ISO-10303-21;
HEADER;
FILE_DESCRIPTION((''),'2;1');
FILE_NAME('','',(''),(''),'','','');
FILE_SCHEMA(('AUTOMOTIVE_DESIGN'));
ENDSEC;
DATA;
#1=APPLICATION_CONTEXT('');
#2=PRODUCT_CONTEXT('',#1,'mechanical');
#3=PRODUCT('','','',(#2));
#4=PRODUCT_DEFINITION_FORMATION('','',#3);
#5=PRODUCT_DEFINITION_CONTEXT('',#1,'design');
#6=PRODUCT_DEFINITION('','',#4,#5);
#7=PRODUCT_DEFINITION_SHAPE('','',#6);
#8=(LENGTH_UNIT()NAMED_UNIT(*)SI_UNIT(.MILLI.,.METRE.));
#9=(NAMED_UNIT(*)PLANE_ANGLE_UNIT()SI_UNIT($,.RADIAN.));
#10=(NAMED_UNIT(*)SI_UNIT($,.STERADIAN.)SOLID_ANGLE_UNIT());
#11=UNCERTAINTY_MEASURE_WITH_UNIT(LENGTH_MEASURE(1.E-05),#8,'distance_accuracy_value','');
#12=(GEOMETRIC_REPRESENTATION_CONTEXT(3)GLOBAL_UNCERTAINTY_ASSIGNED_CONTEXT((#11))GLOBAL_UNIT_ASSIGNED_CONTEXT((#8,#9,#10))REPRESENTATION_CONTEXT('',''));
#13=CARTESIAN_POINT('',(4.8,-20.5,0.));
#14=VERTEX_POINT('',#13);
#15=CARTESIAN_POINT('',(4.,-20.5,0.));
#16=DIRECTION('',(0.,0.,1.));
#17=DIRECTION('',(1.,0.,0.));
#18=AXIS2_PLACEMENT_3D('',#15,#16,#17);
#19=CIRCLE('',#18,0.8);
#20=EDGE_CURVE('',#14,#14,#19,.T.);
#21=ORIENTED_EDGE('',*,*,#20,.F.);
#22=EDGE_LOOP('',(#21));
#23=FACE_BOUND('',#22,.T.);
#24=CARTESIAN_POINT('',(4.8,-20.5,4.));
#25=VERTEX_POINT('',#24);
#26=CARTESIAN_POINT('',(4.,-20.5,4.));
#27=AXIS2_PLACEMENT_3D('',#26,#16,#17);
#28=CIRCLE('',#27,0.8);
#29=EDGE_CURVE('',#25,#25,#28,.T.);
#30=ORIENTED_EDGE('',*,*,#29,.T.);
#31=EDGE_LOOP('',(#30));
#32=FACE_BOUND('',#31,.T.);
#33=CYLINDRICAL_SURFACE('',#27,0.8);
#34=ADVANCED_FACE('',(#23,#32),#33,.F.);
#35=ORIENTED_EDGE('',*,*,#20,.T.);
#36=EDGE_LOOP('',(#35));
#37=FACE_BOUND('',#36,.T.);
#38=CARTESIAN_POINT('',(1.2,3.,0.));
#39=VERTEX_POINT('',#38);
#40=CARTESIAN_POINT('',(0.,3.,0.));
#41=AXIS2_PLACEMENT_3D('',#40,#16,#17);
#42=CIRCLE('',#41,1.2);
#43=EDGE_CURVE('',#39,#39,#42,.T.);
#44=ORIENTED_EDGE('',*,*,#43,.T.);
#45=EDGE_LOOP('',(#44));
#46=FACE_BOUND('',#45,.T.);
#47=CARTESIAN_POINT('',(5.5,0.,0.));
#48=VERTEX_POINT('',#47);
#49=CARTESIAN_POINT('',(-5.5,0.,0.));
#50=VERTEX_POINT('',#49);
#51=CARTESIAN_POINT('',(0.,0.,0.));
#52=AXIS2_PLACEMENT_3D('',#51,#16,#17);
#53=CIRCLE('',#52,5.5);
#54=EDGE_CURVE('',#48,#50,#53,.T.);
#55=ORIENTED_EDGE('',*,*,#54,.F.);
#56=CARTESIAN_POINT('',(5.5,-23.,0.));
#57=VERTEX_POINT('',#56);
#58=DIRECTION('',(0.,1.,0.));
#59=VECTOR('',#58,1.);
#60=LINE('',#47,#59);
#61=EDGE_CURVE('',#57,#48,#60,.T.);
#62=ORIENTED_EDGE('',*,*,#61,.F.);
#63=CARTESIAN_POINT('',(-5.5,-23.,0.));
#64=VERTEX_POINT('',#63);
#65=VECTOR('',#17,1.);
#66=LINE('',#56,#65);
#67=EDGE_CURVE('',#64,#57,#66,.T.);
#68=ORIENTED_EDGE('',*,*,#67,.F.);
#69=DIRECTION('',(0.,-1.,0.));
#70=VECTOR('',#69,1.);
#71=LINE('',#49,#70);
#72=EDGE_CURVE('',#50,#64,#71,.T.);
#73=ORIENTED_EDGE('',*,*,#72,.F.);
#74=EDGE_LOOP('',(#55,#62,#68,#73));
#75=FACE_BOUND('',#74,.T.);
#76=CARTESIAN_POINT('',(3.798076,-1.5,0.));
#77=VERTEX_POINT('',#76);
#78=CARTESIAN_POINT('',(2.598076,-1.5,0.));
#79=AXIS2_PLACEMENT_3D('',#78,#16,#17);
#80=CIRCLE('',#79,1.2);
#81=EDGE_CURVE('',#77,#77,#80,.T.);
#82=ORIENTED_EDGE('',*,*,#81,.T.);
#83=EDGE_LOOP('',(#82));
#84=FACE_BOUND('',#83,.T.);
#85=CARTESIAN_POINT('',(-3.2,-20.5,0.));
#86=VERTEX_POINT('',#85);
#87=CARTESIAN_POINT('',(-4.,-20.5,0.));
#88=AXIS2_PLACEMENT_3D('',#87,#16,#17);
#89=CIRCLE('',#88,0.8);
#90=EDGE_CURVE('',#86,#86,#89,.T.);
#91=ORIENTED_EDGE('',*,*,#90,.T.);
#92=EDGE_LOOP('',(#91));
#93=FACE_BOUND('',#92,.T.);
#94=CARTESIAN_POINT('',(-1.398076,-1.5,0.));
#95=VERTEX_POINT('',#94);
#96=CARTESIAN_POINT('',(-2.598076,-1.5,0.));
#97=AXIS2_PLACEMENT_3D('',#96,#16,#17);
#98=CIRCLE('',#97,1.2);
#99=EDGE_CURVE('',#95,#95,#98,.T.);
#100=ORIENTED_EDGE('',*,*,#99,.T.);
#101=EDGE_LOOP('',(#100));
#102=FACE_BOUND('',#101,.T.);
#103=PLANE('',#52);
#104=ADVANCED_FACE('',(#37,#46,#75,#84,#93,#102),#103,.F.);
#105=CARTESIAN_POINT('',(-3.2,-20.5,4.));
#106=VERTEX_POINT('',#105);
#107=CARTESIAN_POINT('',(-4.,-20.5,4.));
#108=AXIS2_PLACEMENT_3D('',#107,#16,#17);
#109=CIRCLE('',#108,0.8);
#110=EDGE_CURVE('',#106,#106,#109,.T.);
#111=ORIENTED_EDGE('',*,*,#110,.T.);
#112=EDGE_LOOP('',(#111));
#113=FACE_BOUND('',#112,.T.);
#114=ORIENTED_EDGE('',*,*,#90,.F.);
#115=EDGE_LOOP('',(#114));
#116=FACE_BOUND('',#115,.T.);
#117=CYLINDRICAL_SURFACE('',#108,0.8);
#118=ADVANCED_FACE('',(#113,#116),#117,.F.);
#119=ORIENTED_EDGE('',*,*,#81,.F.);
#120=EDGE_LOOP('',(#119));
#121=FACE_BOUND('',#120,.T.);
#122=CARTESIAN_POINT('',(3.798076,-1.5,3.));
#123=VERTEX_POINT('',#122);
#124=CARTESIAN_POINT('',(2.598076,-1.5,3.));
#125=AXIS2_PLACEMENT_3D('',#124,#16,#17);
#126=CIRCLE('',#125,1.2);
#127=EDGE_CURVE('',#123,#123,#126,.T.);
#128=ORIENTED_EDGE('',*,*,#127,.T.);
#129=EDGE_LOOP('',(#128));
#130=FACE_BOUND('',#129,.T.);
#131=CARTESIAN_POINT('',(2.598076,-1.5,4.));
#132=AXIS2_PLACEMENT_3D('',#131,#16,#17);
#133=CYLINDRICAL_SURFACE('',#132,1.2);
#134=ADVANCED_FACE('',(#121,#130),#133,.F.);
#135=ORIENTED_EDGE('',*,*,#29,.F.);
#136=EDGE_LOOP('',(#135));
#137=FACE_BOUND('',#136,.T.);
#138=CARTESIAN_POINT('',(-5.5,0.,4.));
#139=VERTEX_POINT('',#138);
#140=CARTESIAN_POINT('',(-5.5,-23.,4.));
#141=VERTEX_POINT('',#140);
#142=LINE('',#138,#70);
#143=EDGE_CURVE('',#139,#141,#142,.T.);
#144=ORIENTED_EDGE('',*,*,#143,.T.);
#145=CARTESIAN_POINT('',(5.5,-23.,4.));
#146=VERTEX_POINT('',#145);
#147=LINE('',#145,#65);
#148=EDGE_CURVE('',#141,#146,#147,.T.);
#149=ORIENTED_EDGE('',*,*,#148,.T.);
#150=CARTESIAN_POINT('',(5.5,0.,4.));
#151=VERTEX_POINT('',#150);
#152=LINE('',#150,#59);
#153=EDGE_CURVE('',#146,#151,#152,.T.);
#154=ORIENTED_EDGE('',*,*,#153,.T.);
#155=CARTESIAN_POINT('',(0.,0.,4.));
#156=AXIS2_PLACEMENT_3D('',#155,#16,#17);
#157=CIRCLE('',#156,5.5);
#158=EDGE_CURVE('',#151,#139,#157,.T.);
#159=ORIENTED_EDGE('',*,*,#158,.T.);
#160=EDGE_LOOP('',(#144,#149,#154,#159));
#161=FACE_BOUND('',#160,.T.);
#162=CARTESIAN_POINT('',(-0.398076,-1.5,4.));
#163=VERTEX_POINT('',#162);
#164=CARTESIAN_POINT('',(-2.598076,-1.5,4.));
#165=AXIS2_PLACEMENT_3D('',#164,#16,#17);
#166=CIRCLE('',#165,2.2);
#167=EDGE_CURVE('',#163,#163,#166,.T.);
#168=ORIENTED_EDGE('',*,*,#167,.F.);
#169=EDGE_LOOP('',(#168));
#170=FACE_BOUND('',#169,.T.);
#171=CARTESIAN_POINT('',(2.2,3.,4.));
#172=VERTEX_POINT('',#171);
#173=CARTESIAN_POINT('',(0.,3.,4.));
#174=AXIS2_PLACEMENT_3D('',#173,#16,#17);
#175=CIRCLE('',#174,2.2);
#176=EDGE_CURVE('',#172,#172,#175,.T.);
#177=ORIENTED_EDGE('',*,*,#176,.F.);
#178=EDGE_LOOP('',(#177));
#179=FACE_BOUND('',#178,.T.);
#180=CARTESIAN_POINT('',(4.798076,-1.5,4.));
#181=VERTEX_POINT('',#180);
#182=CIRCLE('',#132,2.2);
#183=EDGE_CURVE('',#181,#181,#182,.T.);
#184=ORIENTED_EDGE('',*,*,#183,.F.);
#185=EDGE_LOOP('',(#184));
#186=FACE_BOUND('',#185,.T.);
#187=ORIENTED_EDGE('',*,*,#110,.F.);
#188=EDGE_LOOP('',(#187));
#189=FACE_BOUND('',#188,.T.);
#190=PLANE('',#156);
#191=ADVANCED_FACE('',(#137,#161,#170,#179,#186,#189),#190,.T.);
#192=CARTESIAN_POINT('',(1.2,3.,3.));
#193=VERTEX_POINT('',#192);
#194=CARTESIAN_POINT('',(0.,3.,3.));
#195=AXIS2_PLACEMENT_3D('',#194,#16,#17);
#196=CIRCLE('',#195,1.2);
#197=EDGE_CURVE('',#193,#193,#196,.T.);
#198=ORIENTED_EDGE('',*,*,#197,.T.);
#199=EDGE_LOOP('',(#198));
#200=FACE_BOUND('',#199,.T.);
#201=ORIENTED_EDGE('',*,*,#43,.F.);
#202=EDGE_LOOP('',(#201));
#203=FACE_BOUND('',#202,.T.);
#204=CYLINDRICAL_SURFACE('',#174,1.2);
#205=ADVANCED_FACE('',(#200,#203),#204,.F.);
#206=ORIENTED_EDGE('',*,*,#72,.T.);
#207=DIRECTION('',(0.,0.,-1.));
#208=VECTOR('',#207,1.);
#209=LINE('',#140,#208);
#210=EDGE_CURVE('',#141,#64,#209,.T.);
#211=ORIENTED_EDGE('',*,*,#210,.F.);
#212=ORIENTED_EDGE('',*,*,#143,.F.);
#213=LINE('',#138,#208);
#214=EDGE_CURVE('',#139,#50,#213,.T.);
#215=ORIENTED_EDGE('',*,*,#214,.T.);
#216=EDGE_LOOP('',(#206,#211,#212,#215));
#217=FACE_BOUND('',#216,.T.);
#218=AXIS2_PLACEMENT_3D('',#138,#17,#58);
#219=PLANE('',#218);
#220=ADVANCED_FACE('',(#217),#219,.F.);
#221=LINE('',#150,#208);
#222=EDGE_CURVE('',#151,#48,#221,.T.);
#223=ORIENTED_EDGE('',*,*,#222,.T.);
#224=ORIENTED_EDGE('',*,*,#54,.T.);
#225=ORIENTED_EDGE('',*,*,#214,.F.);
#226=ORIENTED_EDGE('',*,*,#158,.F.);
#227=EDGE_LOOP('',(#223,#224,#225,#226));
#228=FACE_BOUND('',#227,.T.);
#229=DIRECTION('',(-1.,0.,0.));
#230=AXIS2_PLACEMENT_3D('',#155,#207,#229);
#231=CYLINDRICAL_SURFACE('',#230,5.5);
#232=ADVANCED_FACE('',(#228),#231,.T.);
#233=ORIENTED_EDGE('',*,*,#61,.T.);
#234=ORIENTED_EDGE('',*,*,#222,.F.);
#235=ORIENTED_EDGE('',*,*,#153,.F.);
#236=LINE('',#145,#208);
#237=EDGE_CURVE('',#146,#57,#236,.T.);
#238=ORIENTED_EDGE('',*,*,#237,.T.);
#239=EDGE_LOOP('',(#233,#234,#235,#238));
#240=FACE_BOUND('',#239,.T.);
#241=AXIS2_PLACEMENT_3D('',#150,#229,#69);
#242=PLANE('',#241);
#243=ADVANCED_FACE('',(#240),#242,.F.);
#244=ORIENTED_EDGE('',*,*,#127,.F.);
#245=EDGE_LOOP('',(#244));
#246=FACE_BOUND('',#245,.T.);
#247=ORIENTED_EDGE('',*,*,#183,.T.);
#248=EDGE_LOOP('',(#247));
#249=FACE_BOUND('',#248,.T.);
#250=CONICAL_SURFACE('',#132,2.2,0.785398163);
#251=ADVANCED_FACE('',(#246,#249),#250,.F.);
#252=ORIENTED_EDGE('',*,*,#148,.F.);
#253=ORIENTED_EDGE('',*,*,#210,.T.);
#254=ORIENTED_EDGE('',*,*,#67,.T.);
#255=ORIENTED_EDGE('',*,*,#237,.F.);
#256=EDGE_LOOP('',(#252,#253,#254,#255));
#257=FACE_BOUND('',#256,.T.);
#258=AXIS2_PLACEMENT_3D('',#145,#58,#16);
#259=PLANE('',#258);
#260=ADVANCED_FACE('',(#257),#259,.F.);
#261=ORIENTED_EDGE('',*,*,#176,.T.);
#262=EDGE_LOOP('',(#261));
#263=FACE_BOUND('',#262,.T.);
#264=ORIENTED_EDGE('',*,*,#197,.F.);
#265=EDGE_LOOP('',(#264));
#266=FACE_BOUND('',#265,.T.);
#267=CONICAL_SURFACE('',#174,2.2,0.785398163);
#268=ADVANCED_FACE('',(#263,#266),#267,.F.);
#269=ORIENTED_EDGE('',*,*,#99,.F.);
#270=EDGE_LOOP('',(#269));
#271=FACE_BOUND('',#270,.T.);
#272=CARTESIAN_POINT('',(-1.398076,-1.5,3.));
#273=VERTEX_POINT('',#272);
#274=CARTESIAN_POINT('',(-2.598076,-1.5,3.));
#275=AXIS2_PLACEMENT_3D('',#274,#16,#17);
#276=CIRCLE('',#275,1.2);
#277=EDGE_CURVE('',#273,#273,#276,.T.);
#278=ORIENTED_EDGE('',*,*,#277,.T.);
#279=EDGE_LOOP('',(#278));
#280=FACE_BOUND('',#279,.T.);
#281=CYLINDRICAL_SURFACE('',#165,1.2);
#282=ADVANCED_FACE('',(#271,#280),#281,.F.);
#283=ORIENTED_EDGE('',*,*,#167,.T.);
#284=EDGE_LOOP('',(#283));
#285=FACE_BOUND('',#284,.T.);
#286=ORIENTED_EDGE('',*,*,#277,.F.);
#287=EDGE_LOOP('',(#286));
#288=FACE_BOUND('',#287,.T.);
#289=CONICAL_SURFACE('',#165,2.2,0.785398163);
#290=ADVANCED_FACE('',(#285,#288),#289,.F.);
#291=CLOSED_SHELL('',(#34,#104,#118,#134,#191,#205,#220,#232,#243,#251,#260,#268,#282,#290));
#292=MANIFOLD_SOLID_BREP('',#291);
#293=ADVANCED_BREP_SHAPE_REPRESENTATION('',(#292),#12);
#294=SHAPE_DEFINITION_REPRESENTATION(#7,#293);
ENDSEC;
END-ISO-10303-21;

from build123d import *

# Parameters (mm, degrees)
RESSALTO_EXTRUS_O1_DEPTH                             = 4
FURO_ROSCADO_DE_M21_D                                = 1.6
ESCAREADO_PARA_PARAFUSO_COM_CABE_A_ESCAR_D           = 2.4
ESCAREADO_PARA_PARAFUSO_COM_CABE_A_ESCAR_CSINK_D     = 4.4
ESCAREADO_PARA_PARAFUSO_COM_CABE_A_ESCAR_CSINK_ANGLE = 90
PADR_OCIRCULAR1_COUNT                                = 3


with BuildPart() as part:
    # Esboço1 → Ressalto-extrusão1 (new body)
    with BuildSketch(Plane.XY):
        with BuildLine():
            Line((-5.5, 0), (-5.5, -23))
            Line((-5.5, -23), (5.5, -23))
            Line((5.5, -23), (5.5, 0))
            ThreePointArc((5.5, 0), (0, 5.5), (-5.5, 0))
        make_face()
    extrude(amount=RESSALTO_EXTRUS_O1_DEPTH)

    # Furo roscado de M21 (through all)
    with Locations(Plane(origin=(-4, -20.5, 4), x_dir=(1, 0, 0), z_dir=(0, 0, 1))):
        with Locations((0, 0), (8, 0)):
            Hole(FURO_ROSCADO_DE_M21_D / 2)

    # Escareado para parafuso com cabeça escareada chata de M21 (through all)
    with Locations(Plane(origin=(0, 3, 4), x_dir=(1, 0, 0), z_dir=(0, 0, 1))):
        with Locations((0, 0)):
            escareado_para_parafuso_com_cabe_a_escar = CounterSinkHole(ESCAREADO_PARA_PARAFUSO_COM_CABE_A_ESCAR_D / 2, ESCAREADO_PARA_PARAFUSO_COM_CABE_A_ESCAR_CSINK_D / 2, counter_sink_angle=ESCAREADO_PARA_PARAFUSO_COM_CABE_A_ESCAR_CSINK_ANGLE)

    # PadrãoCircular1: Escareado para parafuso com cabeça escareada chata de M21 ×3 about axis
    padr_ocircular1_axis = Axis((0, 0, 0), (0, 0, 1))
    for i in range(1, PADR_OCIRCULAR1_COUNT):
        add(escareado_para_parafuso_com_cabe_a_escar.rotate(padr_ocircular1_axis, i * 360 / PADR_OCIRCULAR1_COUNT), mode=Mode.SUBTRACT)


solid = part.part
